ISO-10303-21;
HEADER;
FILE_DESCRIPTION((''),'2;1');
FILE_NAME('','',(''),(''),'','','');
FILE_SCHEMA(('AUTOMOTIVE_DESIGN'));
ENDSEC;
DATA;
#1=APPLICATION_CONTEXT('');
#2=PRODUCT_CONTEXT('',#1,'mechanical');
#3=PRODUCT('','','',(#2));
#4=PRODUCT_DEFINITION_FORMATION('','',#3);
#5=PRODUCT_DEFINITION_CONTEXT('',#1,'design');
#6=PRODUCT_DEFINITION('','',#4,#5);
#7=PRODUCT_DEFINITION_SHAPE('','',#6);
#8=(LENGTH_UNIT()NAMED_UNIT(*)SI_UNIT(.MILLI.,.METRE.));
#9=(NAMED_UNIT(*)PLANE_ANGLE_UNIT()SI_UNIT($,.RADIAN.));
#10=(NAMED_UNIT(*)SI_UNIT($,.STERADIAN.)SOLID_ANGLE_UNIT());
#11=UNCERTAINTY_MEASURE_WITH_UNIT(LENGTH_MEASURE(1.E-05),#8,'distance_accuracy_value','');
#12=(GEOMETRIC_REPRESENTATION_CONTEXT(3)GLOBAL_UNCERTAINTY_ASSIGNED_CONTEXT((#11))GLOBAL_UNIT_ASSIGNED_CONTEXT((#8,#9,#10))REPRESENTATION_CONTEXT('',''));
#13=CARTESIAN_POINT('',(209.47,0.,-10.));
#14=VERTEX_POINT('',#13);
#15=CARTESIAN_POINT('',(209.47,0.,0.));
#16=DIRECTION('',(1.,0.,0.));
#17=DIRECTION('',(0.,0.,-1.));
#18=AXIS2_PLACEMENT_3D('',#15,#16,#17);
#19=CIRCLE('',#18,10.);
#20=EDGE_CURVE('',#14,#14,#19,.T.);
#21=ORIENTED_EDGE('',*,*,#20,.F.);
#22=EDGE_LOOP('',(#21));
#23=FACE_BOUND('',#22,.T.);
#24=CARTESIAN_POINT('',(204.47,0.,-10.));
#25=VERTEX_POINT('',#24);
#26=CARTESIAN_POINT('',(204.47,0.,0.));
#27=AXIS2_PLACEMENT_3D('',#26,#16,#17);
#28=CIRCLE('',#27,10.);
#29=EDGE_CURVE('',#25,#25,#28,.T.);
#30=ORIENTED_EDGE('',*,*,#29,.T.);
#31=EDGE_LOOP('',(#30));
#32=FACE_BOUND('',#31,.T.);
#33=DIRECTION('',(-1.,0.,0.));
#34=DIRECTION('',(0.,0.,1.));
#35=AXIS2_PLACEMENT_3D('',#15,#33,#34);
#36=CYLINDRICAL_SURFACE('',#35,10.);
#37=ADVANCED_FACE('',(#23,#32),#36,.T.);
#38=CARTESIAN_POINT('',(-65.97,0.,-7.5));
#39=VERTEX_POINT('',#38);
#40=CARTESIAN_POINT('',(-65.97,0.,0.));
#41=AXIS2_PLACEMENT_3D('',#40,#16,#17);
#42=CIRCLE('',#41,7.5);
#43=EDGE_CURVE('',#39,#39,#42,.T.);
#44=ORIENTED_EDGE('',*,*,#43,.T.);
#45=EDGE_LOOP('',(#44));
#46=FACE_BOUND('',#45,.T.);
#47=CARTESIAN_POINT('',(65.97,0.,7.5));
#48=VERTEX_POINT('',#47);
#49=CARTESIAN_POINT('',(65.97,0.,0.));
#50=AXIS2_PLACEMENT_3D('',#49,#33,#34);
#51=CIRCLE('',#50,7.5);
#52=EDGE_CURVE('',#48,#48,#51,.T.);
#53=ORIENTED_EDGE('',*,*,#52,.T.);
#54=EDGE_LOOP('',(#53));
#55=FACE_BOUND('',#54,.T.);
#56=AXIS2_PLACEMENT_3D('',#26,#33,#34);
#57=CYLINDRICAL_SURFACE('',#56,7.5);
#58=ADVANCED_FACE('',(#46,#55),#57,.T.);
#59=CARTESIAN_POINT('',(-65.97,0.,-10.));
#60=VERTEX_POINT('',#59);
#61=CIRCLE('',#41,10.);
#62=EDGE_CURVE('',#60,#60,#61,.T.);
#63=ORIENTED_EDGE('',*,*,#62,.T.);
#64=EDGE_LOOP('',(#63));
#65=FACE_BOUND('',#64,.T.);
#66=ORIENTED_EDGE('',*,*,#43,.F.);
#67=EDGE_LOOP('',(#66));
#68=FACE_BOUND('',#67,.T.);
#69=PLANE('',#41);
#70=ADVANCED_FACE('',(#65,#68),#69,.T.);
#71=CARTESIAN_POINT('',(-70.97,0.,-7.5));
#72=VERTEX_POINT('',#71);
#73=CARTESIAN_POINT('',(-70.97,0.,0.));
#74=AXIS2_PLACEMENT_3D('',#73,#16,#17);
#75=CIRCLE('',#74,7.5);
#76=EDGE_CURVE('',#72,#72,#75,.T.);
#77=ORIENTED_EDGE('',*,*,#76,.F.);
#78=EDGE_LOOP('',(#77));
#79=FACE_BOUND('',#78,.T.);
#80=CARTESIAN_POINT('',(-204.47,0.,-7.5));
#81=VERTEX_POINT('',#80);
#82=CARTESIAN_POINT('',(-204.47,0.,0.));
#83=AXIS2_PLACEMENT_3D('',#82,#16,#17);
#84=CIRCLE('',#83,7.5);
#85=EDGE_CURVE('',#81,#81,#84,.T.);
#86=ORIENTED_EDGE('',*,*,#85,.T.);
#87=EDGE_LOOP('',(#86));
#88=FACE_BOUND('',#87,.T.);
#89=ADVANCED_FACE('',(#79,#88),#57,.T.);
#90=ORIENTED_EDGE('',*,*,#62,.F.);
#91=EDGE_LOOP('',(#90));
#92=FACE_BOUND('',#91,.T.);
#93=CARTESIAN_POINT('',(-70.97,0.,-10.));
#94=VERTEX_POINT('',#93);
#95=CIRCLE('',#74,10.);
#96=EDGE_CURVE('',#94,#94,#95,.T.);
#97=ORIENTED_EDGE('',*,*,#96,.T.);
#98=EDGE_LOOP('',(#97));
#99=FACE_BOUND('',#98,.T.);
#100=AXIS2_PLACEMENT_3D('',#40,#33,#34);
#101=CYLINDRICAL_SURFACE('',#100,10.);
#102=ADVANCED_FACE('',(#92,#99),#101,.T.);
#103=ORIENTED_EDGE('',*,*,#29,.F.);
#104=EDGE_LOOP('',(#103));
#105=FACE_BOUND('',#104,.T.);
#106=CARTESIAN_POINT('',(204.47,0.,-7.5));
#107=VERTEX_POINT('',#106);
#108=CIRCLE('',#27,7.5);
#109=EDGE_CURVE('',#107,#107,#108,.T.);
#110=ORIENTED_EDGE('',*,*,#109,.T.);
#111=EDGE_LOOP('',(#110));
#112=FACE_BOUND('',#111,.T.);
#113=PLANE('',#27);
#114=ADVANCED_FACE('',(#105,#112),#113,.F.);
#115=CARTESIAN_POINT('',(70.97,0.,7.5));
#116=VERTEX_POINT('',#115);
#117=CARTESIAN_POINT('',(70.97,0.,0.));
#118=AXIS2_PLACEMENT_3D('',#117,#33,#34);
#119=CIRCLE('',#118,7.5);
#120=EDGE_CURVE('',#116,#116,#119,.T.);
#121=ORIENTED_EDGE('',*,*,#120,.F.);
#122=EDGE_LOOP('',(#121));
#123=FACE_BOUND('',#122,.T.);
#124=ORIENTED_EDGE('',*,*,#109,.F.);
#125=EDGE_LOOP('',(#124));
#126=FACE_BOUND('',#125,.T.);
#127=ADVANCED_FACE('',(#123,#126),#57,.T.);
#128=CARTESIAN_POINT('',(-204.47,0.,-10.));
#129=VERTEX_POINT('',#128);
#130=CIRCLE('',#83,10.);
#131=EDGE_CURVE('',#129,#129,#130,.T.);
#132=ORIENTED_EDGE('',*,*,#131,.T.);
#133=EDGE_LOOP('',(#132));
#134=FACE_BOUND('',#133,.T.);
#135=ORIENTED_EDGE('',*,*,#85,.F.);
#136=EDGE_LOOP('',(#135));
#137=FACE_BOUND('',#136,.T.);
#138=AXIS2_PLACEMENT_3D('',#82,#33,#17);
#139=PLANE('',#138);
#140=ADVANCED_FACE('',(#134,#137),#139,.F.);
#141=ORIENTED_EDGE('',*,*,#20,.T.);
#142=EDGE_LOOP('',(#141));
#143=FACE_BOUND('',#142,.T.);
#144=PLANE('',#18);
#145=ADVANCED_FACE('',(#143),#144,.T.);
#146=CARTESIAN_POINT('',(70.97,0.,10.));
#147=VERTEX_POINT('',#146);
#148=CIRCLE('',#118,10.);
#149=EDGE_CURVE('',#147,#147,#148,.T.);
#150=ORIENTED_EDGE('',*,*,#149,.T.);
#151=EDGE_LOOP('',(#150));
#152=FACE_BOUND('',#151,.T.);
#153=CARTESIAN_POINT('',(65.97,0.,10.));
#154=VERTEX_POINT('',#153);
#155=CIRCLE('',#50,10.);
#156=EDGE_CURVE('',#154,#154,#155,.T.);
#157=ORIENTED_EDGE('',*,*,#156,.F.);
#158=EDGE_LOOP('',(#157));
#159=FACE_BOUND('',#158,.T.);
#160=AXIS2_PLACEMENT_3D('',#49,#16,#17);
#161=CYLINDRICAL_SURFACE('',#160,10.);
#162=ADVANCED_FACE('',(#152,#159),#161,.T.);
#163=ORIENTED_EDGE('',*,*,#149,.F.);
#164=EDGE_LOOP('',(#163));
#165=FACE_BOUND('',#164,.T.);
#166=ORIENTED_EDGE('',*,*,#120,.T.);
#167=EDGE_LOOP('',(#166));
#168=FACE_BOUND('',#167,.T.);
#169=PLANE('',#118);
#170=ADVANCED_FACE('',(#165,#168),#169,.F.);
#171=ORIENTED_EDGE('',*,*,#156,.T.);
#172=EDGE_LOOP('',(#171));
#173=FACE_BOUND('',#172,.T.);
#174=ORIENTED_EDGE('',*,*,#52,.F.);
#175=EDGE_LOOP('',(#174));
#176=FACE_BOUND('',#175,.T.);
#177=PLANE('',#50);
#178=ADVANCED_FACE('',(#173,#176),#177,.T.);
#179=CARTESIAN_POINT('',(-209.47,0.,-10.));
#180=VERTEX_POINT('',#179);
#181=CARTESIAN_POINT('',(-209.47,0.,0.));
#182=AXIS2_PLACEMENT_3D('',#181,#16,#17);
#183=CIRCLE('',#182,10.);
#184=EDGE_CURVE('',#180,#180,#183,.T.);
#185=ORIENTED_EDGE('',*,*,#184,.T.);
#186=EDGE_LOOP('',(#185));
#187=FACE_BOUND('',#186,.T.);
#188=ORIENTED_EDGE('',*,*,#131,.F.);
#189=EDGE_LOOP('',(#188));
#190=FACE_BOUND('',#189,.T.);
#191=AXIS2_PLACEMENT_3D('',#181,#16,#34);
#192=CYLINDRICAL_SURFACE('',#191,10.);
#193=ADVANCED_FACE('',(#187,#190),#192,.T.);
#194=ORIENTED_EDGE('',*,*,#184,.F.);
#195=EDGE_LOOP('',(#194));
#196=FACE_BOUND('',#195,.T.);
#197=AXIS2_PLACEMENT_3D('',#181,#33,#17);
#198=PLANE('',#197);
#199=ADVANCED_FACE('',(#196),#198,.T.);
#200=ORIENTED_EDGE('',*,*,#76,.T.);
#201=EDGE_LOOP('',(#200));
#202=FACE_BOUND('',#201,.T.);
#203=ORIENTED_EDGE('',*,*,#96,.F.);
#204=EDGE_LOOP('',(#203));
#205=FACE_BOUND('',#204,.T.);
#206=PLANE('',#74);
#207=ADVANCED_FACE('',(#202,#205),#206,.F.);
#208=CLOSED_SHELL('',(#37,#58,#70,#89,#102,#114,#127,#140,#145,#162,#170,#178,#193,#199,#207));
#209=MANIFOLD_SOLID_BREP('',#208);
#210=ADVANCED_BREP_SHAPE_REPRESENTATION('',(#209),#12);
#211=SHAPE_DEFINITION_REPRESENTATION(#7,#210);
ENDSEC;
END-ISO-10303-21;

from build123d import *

# Parameters (mm, degrees)
SKETCH1_R           = 7.5
BOSS_EXTRUDE1_DEPTH = 204.47
SKETCH2_R           = 10
BOSS_EXTRUDE2_DEPTH = 5
SKETCH3_R           = 10
BOSS_EXTRUDE3_DEPTH = 2.5
SKETCH4_R           = 10
BOSS_EXTRUDE4_DEPTH = 2.5


with BuildPart() as part:
    # Sketch1 → Boss-Extrude1 (new body, symmetric)
    with BuildSketch(Plane(origin=(0, 0, 0), x_dir=(0, 0, -1), z_dir=(1, 0, 0))):
        Circle(SKETCH1_R)
    extrude(amount=BOSS_EXTRUDE1_DEPTH, both=True)


with BuildPart() as body_2:
    # Sketch2 → Boss-Extrude2 (new body)
    with BuildSketch(Plane(origin=(204.47, 0, 0), x_dir=(0, 0, -1), z_dir=(1, 0, 0))):
        Circle(SKETCH2_R)
    extrude(amount=BOSS_EXTRUDE2_DEPTH)


with BuildPart() as body_3:
    # Mirror1: mirrored copy
    add(body_2.part.mirror(Plane(origin=(0, 0, 0), x_dir=(0, 0, 1), z_dir=(1, 0, 0))))

    # Combine1: union body 2, part
    add(body_2.part)
    add(part.part)

    # Sketch3 → Boss-Extrude3 (add, symmetric)
    with BuildSketch(Plane(origin=(-68.469999966, 0, 0), x_dir=(0, 0, -1), z_dir=(1, 0, 0))):
        Circle(SKETCH3_R)
    extrude(amount=BOSS_EXTRUDE3_DEPTH, both=True)

    # Sketch4 → Boss-Extrude4 (add, symmetric)
    with BuildSketch(Plane.ZY.offset(-68.469999966)):
        Circle(SKETCH4_R)
    extrude(amount=BOSS_EXTRUDE4_DEPTH, both=True)


solid = body_3.part
